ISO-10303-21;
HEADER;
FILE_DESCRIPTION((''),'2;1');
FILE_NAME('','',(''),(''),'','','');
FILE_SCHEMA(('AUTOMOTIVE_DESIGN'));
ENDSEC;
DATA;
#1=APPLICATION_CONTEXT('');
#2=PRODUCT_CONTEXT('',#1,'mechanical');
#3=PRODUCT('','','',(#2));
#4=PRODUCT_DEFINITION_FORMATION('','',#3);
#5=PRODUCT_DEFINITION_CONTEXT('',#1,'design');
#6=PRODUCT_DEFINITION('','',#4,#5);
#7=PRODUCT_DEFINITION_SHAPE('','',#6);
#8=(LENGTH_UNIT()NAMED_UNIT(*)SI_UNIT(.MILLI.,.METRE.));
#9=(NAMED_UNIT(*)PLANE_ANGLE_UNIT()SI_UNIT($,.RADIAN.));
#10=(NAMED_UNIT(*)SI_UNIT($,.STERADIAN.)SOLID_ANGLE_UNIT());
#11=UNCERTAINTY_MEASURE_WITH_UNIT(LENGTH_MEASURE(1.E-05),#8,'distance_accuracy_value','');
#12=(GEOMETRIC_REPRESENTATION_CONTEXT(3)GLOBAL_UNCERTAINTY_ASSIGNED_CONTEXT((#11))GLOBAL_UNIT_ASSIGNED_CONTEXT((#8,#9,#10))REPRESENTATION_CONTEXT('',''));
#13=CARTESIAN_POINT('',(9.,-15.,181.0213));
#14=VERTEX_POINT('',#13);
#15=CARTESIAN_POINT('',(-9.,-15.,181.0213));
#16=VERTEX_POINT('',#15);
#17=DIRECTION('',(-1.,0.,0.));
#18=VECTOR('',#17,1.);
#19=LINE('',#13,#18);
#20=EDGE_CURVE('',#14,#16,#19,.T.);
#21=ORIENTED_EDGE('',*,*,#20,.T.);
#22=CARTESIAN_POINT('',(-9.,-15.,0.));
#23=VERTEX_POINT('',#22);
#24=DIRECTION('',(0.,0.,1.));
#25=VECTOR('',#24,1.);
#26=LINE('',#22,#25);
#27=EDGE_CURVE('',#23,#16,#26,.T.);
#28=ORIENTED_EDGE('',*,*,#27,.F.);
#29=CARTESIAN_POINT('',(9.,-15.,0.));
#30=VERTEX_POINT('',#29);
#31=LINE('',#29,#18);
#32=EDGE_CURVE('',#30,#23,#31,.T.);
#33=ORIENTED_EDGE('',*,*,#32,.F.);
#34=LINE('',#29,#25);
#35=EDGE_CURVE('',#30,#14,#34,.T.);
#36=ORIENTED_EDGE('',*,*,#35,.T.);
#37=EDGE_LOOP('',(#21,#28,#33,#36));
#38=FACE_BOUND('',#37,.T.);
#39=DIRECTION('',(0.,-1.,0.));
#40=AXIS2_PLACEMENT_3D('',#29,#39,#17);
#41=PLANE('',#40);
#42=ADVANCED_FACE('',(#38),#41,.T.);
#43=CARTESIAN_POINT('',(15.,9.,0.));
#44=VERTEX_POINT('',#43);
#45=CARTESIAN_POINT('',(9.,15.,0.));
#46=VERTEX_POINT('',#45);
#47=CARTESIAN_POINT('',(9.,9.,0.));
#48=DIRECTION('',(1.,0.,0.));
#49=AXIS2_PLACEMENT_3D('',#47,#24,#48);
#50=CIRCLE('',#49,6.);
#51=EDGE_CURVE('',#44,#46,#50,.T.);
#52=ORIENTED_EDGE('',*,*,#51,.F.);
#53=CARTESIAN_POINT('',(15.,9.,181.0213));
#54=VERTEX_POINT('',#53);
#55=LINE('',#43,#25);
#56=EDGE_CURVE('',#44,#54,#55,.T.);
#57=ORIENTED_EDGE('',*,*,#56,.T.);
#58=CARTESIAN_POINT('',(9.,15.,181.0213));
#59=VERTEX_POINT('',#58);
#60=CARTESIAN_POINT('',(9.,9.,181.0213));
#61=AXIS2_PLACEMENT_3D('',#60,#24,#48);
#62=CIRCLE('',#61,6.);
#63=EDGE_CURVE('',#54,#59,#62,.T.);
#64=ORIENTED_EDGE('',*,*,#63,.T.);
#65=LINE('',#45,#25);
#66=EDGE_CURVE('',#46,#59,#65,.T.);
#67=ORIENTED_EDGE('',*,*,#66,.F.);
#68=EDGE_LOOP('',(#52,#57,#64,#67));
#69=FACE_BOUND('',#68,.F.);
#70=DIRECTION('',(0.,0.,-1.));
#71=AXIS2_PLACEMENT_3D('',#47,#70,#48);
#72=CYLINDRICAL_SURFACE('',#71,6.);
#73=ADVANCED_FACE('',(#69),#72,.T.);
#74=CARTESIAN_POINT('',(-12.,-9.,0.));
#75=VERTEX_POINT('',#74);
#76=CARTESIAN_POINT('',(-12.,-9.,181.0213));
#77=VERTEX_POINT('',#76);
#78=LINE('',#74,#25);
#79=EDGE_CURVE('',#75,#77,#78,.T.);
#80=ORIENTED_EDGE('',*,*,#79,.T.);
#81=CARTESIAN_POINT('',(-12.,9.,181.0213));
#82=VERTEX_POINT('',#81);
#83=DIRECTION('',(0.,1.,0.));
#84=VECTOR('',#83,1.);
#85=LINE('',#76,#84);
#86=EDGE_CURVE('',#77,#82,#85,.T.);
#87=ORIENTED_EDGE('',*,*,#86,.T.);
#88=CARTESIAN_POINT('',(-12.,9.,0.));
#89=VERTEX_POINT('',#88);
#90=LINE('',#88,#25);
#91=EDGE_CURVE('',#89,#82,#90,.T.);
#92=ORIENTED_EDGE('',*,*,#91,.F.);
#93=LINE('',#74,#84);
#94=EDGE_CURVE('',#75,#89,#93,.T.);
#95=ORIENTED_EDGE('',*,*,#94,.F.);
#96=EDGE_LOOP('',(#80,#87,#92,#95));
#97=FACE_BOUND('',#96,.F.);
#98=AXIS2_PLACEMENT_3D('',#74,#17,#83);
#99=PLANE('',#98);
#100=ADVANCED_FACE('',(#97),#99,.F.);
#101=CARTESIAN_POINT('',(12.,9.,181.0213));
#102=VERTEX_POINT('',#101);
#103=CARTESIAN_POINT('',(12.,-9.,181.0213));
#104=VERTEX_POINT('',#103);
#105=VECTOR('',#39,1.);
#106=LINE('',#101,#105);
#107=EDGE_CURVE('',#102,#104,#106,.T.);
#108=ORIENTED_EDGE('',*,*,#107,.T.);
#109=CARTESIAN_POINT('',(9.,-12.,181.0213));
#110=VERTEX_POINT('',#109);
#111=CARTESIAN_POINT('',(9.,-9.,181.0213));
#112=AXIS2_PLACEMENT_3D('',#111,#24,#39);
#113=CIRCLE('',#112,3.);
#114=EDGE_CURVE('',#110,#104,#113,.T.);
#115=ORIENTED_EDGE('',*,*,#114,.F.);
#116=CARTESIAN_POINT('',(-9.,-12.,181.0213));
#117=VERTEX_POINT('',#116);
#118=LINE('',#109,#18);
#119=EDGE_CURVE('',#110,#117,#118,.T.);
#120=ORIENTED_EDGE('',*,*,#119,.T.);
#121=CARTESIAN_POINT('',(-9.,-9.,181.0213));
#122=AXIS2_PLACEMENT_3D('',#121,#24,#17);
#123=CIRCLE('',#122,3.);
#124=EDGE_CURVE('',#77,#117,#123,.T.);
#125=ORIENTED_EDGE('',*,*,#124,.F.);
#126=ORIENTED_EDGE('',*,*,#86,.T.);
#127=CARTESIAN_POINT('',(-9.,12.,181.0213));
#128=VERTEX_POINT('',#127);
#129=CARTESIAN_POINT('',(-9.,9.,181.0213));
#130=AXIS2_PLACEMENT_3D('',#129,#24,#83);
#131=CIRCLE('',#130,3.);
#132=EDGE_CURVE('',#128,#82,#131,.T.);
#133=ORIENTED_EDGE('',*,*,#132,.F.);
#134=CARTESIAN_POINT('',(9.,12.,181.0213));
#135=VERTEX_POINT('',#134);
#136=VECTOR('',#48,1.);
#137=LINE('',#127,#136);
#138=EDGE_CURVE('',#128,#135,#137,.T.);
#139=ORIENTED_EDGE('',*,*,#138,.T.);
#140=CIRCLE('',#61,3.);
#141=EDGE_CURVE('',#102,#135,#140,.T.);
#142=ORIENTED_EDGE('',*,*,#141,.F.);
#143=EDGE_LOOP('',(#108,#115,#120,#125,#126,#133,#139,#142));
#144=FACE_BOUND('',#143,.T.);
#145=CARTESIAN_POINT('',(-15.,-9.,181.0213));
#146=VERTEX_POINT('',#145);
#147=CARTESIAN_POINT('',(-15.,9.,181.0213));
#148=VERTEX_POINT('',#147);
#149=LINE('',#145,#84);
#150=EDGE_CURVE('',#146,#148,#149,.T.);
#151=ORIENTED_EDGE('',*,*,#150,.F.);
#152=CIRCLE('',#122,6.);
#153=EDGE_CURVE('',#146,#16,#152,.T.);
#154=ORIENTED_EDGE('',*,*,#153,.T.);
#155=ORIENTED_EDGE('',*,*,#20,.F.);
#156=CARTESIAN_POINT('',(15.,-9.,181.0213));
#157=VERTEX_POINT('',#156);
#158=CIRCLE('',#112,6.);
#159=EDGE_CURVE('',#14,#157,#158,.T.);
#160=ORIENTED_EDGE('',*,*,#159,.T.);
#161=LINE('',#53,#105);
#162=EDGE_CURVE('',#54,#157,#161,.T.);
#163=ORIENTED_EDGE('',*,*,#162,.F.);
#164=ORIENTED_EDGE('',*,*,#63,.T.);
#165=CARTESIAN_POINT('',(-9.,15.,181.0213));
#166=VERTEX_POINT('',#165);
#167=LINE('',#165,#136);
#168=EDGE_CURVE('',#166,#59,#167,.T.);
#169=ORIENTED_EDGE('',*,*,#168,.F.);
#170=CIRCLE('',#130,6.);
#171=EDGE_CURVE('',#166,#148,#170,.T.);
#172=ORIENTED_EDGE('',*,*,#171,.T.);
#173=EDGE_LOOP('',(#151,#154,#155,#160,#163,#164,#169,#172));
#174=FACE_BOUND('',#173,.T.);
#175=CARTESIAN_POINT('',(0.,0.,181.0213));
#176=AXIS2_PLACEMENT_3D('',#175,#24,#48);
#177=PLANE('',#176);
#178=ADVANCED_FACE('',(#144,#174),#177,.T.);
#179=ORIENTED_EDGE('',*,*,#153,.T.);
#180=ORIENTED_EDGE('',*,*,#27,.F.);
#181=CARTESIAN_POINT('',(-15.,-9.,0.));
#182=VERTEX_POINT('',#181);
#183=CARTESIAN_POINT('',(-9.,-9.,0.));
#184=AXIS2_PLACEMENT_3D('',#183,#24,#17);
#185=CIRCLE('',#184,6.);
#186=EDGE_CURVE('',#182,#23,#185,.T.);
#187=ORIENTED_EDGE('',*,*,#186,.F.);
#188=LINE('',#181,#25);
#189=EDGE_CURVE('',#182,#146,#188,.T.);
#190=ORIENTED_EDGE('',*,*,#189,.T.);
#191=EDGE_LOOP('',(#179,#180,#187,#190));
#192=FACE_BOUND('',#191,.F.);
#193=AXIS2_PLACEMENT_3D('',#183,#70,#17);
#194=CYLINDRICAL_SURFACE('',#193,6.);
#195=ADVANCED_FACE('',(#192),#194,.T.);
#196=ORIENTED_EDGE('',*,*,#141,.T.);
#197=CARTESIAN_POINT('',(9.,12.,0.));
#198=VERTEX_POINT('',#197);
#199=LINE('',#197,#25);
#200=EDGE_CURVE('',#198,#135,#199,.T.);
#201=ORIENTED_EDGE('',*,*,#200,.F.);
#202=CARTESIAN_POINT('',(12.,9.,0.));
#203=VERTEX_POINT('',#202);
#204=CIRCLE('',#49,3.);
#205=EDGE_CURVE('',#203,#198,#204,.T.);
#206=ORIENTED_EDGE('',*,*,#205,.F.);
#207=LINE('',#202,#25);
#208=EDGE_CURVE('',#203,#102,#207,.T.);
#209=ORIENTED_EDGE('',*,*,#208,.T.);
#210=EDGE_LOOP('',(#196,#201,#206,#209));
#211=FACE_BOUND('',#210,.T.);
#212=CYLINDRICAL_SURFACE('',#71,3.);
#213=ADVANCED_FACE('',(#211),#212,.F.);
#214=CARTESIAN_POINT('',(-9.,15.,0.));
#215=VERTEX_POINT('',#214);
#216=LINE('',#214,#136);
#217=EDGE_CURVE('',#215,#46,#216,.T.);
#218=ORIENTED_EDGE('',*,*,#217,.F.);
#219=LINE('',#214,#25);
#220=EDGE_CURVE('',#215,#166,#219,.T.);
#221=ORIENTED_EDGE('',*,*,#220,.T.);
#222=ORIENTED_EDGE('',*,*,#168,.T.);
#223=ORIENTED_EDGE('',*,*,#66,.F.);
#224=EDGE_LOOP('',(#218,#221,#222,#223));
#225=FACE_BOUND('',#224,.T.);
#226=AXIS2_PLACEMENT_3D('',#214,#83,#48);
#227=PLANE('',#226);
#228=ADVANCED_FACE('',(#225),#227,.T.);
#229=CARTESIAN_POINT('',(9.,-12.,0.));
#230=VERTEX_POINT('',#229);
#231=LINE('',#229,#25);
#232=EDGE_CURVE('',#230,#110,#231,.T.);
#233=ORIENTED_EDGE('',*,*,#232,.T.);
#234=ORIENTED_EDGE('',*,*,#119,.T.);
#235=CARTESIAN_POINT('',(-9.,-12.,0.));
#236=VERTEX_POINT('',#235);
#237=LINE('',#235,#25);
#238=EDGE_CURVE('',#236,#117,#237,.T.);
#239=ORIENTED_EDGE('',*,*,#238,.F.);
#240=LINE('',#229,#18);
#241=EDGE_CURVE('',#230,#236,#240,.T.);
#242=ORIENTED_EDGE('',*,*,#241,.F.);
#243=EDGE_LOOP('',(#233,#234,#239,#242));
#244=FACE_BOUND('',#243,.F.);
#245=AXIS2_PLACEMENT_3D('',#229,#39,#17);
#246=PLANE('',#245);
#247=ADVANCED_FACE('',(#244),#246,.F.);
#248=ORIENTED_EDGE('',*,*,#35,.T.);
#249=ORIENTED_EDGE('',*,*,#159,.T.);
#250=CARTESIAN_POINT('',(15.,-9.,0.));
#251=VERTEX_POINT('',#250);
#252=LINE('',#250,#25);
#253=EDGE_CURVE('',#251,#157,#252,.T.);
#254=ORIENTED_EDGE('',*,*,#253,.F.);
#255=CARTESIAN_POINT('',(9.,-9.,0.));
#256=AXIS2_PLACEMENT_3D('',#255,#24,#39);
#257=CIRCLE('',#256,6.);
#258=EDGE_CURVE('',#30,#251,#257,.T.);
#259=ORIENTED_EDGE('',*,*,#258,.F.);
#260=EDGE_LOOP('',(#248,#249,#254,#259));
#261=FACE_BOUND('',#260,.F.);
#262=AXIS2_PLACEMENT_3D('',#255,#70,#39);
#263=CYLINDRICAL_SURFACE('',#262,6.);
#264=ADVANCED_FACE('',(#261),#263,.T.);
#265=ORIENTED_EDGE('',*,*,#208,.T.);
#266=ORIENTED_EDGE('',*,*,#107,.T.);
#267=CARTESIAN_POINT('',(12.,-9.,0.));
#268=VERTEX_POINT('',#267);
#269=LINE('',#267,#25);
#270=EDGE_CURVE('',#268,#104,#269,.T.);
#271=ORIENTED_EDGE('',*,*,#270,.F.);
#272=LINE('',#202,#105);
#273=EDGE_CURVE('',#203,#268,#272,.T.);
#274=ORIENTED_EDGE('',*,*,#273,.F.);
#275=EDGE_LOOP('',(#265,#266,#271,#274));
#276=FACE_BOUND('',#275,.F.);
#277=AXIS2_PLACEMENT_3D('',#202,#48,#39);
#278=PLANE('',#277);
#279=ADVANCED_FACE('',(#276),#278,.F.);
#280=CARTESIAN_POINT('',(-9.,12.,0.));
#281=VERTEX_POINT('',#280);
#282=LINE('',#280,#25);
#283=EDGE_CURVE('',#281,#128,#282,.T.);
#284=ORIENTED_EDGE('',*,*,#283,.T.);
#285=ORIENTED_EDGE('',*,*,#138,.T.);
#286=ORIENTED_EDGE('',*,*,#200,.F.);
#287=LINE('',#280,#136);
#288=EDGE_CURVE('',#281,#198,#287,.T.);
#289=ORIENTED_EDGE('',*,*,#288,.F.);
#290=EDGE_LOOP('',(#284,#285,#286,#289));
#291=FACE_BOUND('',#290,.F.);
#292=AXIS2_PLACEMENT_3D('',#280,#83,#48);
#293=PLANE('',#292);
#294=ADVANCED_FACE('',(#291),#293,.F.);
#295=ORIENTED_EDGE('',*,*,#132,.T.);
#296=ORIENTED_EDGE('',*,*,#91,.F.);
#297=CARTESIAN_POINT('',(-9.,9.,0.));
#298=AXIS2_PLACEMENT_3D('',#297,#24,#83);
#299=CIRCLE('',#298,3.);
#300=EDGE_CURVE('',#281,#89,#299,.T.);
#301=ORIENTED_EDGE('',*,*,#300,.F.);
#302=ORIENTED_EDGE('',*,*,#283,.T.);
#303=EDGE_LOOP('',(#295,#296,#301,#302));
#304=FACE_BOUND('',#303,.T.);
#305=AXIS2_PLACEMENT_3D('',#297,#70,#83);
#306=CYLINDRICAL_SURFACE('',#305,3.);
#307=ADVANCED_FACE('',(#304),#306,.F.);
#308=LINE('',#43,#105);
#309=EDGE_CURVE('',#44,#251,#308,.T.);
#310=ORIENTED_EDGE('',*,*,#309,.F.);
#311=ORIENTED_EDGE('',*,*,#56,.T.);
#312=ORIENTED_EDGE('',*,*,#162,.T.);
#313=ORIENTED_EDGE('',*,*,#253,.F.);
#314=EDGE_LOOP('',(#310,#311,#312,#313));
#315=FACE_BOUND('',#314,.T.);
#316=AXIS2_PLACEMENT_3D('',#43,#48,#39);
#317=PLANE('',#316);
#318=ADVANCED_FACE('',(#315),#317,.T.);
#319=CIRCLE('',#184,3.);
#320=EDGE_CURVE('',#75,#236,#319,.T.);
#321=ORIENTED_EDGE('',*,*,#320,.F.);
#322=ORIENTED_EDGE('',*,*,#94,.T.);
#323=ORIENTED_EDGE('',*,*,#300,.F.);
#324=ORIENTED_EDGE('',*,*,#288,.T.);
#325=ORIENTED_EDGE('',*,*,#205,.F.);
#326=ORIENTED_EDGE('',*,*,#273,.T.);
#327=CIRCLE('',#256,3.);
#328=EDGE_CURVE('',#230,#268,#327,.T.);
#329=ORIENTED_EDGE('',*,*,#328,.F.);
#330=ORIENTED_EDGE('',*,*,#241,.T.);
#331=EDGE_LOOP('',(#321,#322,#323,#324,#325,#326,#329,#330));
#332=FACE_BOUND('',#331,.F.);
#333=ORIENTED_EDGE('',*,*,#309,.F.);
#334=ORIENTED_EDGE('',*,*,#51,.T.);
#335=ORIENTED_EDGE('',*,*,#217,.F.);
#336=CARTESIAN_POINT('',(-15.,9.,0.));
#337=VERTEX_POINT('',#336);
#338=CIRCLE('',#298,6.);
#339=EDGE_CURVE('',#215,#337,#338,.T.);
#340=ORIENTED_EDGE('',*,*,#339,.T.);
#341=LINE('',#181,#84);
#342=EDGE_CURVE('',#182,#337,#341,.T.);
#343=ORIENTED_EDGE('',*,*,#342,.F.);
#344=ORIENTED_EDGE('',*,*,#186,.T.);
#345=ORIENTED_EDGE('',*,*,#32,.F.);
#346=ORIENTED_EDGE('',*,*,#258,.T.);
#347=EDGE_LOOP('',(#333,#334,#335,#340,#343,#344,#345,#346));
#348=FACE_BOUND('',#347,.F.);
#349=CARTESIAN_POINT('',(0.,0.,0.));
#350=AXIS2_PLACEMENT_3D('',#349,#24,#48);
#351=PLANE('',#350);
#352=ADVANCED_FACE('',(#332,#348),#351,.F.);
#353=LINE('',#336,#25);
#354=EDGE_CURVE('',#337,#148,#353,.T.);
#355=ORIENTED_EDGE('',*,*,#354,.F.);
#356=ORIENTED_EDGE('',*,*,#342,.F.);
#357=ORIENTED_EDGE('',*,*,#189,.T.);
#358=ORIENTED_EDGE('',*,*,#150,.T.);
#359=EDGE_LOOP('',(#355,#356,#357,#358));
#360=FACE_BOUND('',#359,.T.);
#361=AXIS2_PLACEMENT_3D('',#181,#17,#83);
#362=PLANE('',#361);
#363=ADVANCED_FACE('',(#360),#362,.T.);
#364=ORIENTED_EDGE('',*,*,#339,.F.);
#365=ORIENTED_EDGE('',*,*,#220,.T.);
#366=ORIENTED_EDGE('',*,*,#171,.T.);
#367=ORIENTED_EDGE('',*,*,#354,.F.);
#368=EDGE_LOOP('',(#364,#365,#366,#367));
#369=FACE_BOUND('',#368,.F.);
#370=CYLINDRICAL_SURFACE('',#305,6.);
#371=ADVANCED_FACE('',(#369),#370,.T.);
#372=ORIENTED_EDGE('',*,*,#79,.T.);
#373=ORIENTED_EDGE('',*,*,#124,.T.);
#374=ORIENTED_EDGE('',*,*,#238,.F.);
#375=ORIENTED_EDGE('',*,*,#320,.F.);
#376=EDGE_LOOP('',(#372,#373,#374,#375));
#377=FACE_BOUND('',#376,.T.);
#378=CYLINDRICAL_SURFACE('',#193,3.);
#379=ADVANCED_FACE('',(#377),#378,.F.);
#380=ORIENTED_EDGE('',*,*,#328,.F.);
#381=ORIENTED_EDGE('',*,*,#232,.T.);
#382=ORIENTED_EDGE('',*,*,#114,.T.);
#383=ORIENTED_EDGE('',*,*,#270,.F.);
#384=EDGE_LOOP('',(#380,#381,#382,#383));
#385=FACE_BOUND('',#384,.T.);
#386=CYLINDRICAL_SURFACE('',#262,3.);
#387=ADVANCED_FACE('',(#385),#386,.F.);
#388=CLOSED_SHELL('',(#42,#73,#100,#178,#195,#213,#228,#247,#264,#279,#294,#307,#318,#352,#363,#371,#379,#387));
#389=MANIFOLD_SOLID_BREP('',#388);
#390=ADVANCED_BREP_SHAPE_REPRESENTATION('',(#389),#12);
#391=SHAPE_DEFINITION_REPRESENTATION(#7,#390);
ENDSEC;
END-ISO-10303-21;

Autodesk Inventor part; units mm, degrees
ref_plane "YZ Plane" through (0, 0, 0) normal (1, 0, 0) x (0, 1, 0)
ref_plane "Plano inicial" through (0, 0, 0) normal (0, 0, 1) x (1, 0, 0)
ref_plane "Plano final" through (0, 0, 181.0213) normal (0, 0, 1) x (1, 0, 0)
sketch "Esboço" plane through (0, 0, 0) normal (0, 0, 1) x (1, 0, 0)
  line L0 (-15, -9) -> (-15, 9)
  line L1 (-9, 15) -> (9, 15)
  line L2 (15, 9) -> (15, -9)
  line L3 (9, -15) -> (-9, -15)
  arc A0 (-15, -9) -> (-9, -15) centre (-9, -9) ccw
  arc A1 (15, 9) -> (9, 15) centre (9, 9) ccw
  arc A2 (-9, 15) -> (-15, 9) centre (-9, 9) ccw
  arc A3 (9, -15) -> (15, -9) centre (9, -9) ccw
  arc A4 (-9, 12) -> (-12, 9) centre (-9, 9) ccw
  line L4 (-9, 12) -> (9, 12)
  arc A5 (12, 9) -> (9, 12) centre (9, 9) ccw
  line L5 (12, 9) -> (12, -9)
  arc A6 (9, -12) -> (12, -9) centre (9, -9) ccw
  line L6 (9, -12) -> (-9, -12)
  arc A7 (-12, -9) -> (-9, -12) centre (-9, -9) ccw
  line L7 (-12, -9) -> (-12, 9)
  line L8 (0, 22.7397) -> (0, -22.7397) construction
  line L9 (-22.7397, 0) -> (22.7397, 0) construction
  dimension "d7" = 6
  dimension "d9" = 30
  dimension "d11" = 30
  dimension "d12" = 3
  dimension "d15" = 15
  dimension "d16" = 15
extrude "Corpo" add sketch "Esboço" along normal up to surface (181.0213 mm away) from surface at 0
sketch "Sketch3" plane through (0, 0, 0) normal (0, 0, 1) x (1, 0, 0)
  line L0 (0, 0) -> (10, 0)
ref_plane "Work Plane3" through (0, 0, 0) normal (0, -1, 0) x (1, 0, 0)
sketch "Sketch4" plane through (0, 0, 0) normal (0, -1, 0) x (1, 0, 0)
  line L0 (-2, 0) -> (12, 0)
  line L1 (-2, 181.0213) -> (12, 181.0213)
  dimension "d18" = 181.0213
equation "\"d7\" = G_IR"
equation "\"d9\" = G_W"
equation "\"d11\" = G_H"
equation "\"d12\" = G_T"
equation "\"d15\" = 0.5 * d9"
equation "\"d16\" = 0.5 * d11"
equation "\"d3\" = G_L"
equation "\"G_W\" = 30"
equation "\"G_H\" = 30"
equation "\"G_T\" = 3"
equation "\"G_IR\" = 6"
equation "\"G_L\" = d18"
equation "\"G_OFFSET_START\" = 0"
equation "\"G_OFFSET_END\" = 0"
equation "\"d14\" = G_OFFSET_END + B_L"
equation "\"B_L\" = 181.02128"
properties part number "ISO 10799-2 - 30x30x3 - 181,021" material "Aço, suave"
